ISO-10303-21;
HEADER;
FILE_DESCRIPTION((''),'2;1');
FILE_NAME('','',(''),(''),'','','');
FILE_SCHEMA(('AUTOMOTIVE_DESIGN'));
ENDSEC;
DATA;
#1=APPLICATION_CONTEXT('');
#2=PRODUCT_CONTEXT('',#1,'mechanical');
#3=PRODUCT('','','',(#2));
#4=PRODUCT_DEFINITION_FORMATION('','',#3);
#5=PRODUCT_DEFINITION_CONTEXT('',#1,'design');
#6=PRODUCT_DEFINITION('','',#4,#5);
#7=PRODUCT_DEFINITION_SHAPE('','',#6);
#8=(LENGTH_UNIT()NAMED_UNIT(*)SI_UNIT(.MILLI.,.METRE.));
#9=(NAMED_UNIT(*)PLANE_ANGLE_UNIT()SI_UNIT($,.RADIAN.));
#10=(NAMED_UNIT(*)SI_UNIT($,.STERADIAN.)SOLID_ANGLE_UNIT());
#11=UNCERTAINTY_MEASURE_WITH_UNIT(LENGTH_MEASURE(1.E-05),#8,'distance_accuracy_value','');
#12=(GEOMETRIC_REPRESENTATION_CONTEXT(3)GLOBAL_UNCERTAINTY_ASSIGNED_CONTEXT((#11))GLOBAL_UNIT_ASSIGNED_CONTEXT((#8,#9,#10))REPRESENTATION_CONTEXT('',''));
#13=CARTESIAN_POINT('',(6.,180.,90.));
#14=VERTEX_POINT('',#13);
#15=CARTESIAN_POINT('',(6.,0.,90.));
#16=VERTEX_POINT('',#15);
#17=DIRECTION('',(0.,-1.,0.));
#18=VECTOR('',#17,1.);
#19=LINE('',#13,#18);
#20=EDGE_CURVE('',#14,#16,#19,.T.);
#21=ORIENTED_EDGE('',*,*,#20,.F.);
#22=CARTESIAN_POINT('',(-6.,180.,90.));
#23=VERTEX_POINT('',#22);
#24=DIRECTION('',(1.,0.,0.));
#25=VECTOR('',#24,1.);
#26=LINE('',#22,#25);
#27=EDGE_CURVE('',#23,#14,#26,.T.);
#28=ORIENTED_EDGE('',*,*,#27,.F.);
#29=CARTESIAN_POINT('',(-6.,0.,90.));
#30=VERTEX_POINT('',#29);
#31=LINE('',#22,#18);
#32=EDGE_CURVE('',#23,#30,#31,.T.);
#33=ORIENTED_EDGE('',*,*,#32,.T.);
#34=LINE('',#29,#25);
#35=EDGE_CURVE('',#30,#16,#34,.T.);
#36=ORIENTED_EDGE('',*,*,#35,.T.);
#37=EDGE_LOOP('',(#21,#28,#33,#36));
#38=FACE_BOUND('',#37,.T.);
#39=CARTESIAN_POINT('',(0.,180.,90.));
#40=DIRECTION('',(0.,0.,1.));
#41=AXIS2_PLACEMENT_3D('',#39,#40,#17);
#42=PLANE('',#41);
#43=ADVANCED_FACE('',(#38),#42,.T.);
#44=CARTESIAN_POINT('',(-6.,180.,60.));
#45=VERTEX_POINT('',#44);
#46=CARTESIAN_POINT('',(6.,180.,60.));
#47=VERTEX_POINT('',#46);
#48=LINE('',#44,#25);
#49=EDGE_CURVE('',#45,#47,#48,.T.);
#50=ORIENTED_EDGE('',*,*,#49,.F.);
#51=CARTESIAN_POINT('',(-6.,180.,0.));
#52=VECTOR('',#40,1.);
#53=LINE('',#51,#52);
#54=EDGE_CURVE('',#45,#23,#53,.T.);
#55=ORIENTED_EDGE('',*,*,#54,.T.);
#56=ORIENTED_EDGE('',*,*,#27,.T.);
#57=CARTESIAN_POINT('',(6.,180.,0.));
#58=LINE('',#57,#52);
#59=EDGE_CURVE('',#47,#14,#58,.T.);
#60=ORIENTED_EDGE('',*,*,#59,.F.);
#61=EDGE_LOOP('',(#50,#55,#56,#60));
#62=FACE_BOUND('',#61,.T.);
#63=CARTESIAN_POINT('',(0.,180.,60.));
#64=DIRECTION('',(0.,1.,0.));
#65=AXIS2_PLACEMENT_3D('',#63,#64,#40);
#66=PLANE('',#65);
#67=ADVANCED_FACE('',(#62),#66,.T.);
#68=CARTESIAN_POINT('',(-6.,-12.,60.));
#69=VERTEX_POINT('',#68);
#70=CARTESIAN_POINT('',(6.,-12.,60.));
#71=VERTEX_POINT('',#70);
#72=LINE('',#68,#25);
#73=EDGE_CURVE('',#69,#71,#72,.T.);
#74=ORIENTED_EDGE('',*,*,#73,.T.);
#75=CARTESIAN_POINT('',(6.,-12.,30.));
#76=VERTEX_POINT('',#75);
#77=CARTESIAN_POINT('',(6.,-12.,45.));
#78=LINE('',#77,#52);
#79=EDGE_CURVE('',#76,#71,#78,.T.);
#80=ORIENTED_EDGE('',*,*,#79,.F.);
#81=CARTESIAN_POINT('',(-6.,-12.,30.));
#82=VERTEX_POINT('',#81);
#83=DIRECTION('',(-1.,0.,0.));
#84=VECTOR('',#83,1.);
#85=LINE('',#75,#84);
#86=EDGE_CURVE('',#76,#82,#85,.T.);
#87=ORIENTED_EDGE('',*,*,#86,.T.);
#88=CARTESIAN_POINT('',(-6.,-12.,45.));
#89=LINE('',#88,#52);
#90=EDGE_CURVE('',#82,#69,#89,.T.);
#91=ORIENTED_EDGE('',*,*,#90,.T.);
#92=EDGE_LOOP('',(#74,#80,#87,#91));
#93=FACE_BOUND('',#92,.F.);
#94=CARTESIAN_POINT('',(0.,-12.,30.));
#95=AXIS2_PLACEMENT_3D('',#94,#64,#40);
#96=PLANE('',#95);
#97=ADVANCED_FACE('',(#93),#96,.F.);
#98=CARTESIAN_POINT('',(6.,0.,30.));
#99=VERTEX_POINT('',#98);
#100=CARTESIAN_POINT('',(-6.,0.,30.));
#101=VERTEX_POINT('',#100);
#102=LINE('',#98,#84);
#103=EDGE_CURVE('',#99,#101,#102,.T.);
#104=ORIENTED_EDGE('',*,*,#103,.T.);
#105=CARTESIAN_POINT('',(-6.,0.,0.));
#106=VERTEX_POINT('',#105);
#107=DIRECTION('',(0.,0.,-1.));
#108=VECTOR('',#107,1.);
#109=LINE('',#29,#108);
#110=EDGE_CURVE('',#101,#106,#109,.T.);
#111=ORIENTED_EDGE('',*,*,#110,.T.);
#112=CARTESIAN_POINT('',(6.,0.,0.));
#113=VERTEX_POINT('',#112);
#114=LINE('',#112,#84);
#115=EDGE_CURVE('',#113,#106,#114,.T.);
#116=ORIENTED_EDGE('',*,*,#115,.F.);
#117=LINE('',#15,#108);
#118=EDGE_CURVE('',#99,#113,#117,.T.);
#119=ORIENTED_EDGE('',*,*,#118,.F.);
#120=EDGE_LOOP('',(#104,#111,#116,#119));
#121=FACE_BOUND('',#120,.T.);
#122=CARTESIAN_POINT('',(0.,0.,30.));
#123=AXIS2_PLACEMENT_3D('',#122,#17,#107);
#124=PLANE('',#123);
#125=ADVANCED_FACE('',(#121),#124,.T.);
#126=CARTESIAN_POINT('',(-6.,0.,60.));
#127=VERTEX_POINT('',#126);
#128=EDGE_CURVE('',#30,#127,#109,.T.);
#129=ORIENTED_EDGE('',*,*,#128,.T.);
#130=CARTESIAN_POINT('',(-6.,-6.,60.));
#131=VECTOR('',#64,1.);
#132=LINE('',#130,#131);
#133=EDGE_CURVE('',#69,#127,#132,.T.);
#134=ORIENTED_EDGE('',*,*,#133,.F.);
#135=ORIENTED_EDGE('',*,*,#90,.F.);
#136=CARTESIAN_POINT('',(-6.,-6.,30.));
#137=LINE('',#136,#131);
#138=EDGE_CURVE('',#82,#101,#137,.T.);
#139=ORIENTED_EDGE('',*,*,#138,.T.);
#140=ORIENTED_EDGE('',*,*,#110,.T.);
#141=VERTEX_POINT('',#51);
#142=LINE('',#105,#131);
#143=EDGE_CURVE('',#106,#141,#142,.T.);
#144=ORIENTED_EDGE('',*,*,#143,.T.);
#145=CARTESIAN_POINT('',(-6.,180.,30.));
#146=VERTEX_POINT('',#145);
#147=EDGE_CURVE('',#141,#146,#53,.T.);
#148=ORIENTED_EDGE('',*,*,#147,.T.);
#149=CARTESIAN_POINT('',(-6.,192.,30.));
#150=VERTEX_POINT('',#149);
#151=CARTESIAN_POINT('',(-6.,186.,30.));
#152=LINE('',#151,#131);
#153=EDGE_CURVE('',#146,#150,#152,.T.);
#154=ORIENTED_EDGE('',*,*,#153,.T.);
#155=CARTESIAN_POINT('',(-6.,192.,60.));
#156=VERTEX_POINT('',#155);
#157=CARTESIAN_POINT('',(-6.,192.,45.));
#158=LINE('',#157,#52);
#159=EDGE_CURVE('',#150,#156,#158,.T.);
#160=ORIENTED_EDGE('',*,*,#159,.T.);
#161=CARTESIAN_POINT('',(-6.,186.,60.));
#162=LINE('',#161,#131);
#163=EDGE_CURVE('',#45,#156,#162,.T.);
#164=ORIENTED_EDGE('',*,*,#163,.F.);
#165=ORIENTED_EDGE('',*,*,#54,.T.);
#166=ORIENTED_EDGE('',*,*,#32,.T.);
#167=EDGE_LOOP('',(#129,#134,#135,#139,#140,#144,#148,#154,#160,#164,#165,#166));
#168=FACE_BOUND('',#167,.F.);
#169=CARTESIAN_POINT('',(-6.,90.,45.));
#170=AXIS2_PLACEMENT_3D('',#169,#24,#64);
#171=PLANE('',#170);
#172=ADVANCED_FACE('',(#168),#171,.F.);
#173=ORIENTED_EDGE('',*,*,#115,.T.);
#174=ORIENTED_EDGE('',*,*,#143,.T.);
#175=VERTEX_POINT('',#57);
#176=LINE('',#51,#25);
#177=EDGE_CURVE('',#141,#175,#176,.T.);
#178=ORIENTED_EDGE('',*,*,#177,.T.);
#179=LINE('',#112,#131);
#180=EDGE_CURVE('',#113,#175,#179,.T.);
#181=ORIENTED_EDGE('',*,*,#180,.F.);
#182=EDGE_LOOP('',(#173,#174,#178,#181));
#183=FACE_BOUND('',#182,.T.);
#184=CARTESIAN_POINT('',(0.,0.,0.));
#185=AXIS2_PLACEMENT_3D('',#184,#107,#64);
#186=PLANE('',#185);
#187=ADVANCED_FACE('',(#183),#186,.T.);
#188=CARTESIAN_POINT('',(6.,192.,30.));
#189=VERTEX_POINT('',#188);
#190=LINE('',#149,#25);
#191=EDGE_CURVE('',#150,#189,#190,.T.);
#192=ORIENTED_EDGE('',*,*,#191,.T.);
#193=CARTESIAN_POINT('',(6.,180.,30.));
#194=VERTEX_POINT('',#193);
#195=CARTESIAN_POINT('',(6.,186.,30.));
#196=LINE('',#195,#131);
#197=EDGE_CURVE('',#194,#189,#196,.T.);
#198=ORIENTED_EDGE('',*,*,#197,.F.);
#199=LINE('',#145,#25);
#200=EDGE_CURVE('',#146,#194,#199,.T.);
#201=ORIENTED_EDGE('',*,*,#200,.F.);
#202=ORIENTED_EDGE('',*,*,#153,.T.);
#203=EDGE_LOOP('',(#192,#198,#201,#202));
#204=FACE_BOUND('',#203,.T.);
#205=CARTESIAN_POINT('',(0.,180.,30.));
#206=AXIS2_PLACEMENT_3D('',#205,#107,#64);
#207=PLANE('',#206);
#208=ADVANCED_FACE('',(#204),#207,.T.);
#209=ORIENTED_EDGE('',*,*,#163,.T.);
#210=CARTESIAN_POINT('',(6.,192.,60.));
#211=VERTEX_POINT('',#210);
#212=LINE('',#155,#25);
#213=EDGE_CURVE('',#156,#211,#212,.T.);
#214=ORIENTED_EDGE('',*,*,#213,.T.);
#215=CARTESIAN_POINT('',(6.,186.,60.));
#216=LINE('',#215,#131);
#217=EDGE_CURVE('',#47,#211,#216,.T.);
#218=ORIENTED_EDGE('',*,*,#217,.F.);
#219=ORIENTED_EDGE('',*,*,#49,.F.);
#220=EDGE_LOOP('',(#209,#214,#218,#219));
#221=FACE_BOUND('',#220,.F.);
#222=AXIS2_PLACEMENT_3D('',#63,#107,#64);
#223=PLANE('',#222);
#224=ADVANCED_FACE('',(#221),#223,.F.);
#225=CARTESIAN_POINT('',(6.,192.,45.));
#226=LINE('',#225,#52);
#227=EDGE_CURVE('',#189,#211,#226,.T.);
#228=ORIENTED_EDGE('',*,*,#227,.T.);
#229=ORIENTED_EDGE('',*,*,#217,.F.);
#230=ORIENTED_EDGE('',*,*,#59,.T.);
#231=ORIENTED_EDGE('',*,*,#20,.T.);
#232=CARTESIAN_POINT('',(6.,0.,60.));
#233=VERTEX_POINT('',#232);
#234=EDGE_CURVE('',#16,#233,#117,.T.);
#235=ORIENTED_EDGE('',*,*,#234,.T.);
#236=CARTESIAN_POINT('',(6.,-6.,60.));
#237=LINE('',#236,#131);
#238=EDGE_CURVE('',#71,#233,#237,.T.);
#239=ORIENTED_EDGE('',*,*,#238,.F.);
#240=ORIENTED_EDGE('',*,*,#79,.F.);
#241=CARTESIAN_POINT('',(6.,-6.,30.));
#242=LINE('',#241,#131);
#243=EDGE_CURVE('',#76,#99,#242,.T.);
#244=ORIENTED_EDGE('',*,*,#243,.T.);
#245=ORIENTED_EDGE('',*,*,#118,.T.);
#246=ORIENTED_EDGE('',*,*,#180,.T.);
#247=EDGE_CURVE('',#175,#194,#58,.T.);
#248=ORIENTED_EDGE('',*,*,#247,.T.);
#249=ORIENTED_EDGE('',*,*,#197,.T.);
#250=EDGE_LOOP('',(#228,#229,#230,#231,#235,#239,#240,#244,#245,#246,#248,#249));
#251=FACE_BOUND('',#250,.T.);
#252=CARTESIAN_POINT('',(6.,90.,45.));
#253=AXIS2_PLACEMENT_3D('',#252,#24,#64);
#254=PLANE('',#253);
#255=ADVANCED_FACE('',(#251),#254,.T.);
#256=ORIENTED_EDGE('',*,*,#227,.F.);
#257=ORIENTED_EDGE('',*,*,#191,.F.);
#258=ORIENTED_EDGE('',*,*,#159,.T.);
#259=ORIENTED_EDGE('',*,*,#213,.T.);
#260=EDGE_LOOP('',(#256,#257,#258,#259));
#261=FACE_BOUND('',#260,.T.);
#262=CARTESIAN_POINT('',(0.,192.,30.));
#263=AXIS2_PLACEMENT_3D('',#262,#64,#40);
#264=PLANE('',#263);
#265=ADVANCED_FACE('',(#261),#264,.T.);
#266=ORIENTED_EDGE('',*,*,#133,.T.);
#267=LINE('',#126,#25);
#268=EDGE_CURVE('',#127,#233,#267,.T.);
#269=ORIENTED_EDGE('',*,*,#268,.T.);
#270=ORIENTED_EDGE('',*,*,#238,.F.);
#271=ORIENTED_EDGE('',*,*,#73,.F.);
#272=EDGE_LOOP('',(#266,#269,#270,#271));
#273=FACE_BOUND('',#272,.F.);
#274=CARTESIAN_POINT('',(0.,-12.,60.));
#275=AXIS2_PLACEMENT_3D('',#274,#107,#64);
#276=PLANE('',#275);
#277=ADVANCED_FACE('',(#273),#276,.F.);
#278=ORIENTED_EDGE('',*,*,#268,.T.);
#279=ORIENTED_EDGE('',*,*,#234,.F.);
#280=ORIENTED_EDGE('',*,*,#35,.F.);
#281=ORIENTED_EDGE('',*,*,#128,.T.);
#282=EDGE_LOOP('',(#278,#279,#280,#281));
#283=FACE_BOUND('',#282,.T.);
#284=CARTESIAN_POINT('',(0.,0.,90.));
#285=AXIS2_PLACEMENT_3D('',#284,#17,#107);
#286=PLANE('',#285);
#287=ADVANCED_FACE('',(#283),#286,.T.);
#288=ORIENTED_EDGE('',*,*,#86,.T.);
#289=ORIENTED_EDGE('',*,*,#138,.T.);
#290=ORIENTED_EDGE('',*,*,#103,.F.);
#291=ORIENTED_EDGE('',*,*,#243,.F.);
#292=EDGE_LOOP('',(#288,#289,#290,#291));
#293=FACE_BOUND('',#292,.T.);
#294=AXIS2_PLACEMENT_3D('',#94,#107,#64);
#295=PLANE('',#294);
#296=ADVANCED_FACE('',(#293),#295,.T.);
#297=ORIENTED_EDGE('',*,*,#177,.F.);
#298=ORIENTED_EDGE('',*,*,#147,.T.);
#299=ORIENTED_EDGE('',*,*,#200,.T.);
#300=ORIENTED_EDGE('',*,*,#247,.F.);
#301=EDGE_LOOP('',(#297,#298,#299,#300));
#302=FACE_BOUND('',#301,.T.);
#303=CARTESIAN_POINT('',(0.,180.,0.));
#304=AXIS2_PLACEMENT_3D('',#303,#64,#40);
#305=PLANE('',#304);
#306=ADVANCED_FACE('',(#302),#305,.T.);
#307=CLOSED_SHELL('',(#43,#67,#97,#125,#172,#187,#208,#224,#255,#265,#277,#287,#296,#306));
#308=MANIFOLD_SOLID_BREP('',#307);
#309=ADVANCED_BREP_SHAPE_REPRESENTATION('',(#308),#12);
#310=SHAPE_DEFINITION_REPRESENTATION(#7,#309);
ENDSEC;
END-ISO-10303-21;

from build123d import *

# Parameters (mm, degrees)
F0_W     = 12
F0_H     = 30
F1_DEPTH = 6
F2_DEPTH = 6


with BuildPart() as f1:
    # F0 (on Right) → F1 (new body, symmetric)
    with BuildSketch(Plane.YZ):
        Polygon((0, 30), (0, 0), (90, 0), (180, 0), (180, 30), (180, 60), (180, 90), (90, 90), (0, 90), (0, 60), align=None)
        with Locations((-6, 45)):
            Rectangle(F0_W, F0_H)
        with Locations((186, 45)):
            Rectangle(F0_W, F0_H)
    extrude(amount=F1_DEPTH, both=True)

    # F0 (on Right) → F2 (join, symmetric)
    with BuildSketch(Plane.YZ):
        Polygon((0, 30), (0, 0), (90, 0), (180, 0), (180, 30), (180, 60), (180, 90), (90, 90), (0, 90), (0, 60), align=None)
        with Locations((-6, 45)):
            Rectangle(F0_W, F0_H)
        with Locations((186, 45)):
            Rectangle(F0_W, F0_H)
    extrude(amount=F2_DEPTH, both=True)


solid = f1.part
